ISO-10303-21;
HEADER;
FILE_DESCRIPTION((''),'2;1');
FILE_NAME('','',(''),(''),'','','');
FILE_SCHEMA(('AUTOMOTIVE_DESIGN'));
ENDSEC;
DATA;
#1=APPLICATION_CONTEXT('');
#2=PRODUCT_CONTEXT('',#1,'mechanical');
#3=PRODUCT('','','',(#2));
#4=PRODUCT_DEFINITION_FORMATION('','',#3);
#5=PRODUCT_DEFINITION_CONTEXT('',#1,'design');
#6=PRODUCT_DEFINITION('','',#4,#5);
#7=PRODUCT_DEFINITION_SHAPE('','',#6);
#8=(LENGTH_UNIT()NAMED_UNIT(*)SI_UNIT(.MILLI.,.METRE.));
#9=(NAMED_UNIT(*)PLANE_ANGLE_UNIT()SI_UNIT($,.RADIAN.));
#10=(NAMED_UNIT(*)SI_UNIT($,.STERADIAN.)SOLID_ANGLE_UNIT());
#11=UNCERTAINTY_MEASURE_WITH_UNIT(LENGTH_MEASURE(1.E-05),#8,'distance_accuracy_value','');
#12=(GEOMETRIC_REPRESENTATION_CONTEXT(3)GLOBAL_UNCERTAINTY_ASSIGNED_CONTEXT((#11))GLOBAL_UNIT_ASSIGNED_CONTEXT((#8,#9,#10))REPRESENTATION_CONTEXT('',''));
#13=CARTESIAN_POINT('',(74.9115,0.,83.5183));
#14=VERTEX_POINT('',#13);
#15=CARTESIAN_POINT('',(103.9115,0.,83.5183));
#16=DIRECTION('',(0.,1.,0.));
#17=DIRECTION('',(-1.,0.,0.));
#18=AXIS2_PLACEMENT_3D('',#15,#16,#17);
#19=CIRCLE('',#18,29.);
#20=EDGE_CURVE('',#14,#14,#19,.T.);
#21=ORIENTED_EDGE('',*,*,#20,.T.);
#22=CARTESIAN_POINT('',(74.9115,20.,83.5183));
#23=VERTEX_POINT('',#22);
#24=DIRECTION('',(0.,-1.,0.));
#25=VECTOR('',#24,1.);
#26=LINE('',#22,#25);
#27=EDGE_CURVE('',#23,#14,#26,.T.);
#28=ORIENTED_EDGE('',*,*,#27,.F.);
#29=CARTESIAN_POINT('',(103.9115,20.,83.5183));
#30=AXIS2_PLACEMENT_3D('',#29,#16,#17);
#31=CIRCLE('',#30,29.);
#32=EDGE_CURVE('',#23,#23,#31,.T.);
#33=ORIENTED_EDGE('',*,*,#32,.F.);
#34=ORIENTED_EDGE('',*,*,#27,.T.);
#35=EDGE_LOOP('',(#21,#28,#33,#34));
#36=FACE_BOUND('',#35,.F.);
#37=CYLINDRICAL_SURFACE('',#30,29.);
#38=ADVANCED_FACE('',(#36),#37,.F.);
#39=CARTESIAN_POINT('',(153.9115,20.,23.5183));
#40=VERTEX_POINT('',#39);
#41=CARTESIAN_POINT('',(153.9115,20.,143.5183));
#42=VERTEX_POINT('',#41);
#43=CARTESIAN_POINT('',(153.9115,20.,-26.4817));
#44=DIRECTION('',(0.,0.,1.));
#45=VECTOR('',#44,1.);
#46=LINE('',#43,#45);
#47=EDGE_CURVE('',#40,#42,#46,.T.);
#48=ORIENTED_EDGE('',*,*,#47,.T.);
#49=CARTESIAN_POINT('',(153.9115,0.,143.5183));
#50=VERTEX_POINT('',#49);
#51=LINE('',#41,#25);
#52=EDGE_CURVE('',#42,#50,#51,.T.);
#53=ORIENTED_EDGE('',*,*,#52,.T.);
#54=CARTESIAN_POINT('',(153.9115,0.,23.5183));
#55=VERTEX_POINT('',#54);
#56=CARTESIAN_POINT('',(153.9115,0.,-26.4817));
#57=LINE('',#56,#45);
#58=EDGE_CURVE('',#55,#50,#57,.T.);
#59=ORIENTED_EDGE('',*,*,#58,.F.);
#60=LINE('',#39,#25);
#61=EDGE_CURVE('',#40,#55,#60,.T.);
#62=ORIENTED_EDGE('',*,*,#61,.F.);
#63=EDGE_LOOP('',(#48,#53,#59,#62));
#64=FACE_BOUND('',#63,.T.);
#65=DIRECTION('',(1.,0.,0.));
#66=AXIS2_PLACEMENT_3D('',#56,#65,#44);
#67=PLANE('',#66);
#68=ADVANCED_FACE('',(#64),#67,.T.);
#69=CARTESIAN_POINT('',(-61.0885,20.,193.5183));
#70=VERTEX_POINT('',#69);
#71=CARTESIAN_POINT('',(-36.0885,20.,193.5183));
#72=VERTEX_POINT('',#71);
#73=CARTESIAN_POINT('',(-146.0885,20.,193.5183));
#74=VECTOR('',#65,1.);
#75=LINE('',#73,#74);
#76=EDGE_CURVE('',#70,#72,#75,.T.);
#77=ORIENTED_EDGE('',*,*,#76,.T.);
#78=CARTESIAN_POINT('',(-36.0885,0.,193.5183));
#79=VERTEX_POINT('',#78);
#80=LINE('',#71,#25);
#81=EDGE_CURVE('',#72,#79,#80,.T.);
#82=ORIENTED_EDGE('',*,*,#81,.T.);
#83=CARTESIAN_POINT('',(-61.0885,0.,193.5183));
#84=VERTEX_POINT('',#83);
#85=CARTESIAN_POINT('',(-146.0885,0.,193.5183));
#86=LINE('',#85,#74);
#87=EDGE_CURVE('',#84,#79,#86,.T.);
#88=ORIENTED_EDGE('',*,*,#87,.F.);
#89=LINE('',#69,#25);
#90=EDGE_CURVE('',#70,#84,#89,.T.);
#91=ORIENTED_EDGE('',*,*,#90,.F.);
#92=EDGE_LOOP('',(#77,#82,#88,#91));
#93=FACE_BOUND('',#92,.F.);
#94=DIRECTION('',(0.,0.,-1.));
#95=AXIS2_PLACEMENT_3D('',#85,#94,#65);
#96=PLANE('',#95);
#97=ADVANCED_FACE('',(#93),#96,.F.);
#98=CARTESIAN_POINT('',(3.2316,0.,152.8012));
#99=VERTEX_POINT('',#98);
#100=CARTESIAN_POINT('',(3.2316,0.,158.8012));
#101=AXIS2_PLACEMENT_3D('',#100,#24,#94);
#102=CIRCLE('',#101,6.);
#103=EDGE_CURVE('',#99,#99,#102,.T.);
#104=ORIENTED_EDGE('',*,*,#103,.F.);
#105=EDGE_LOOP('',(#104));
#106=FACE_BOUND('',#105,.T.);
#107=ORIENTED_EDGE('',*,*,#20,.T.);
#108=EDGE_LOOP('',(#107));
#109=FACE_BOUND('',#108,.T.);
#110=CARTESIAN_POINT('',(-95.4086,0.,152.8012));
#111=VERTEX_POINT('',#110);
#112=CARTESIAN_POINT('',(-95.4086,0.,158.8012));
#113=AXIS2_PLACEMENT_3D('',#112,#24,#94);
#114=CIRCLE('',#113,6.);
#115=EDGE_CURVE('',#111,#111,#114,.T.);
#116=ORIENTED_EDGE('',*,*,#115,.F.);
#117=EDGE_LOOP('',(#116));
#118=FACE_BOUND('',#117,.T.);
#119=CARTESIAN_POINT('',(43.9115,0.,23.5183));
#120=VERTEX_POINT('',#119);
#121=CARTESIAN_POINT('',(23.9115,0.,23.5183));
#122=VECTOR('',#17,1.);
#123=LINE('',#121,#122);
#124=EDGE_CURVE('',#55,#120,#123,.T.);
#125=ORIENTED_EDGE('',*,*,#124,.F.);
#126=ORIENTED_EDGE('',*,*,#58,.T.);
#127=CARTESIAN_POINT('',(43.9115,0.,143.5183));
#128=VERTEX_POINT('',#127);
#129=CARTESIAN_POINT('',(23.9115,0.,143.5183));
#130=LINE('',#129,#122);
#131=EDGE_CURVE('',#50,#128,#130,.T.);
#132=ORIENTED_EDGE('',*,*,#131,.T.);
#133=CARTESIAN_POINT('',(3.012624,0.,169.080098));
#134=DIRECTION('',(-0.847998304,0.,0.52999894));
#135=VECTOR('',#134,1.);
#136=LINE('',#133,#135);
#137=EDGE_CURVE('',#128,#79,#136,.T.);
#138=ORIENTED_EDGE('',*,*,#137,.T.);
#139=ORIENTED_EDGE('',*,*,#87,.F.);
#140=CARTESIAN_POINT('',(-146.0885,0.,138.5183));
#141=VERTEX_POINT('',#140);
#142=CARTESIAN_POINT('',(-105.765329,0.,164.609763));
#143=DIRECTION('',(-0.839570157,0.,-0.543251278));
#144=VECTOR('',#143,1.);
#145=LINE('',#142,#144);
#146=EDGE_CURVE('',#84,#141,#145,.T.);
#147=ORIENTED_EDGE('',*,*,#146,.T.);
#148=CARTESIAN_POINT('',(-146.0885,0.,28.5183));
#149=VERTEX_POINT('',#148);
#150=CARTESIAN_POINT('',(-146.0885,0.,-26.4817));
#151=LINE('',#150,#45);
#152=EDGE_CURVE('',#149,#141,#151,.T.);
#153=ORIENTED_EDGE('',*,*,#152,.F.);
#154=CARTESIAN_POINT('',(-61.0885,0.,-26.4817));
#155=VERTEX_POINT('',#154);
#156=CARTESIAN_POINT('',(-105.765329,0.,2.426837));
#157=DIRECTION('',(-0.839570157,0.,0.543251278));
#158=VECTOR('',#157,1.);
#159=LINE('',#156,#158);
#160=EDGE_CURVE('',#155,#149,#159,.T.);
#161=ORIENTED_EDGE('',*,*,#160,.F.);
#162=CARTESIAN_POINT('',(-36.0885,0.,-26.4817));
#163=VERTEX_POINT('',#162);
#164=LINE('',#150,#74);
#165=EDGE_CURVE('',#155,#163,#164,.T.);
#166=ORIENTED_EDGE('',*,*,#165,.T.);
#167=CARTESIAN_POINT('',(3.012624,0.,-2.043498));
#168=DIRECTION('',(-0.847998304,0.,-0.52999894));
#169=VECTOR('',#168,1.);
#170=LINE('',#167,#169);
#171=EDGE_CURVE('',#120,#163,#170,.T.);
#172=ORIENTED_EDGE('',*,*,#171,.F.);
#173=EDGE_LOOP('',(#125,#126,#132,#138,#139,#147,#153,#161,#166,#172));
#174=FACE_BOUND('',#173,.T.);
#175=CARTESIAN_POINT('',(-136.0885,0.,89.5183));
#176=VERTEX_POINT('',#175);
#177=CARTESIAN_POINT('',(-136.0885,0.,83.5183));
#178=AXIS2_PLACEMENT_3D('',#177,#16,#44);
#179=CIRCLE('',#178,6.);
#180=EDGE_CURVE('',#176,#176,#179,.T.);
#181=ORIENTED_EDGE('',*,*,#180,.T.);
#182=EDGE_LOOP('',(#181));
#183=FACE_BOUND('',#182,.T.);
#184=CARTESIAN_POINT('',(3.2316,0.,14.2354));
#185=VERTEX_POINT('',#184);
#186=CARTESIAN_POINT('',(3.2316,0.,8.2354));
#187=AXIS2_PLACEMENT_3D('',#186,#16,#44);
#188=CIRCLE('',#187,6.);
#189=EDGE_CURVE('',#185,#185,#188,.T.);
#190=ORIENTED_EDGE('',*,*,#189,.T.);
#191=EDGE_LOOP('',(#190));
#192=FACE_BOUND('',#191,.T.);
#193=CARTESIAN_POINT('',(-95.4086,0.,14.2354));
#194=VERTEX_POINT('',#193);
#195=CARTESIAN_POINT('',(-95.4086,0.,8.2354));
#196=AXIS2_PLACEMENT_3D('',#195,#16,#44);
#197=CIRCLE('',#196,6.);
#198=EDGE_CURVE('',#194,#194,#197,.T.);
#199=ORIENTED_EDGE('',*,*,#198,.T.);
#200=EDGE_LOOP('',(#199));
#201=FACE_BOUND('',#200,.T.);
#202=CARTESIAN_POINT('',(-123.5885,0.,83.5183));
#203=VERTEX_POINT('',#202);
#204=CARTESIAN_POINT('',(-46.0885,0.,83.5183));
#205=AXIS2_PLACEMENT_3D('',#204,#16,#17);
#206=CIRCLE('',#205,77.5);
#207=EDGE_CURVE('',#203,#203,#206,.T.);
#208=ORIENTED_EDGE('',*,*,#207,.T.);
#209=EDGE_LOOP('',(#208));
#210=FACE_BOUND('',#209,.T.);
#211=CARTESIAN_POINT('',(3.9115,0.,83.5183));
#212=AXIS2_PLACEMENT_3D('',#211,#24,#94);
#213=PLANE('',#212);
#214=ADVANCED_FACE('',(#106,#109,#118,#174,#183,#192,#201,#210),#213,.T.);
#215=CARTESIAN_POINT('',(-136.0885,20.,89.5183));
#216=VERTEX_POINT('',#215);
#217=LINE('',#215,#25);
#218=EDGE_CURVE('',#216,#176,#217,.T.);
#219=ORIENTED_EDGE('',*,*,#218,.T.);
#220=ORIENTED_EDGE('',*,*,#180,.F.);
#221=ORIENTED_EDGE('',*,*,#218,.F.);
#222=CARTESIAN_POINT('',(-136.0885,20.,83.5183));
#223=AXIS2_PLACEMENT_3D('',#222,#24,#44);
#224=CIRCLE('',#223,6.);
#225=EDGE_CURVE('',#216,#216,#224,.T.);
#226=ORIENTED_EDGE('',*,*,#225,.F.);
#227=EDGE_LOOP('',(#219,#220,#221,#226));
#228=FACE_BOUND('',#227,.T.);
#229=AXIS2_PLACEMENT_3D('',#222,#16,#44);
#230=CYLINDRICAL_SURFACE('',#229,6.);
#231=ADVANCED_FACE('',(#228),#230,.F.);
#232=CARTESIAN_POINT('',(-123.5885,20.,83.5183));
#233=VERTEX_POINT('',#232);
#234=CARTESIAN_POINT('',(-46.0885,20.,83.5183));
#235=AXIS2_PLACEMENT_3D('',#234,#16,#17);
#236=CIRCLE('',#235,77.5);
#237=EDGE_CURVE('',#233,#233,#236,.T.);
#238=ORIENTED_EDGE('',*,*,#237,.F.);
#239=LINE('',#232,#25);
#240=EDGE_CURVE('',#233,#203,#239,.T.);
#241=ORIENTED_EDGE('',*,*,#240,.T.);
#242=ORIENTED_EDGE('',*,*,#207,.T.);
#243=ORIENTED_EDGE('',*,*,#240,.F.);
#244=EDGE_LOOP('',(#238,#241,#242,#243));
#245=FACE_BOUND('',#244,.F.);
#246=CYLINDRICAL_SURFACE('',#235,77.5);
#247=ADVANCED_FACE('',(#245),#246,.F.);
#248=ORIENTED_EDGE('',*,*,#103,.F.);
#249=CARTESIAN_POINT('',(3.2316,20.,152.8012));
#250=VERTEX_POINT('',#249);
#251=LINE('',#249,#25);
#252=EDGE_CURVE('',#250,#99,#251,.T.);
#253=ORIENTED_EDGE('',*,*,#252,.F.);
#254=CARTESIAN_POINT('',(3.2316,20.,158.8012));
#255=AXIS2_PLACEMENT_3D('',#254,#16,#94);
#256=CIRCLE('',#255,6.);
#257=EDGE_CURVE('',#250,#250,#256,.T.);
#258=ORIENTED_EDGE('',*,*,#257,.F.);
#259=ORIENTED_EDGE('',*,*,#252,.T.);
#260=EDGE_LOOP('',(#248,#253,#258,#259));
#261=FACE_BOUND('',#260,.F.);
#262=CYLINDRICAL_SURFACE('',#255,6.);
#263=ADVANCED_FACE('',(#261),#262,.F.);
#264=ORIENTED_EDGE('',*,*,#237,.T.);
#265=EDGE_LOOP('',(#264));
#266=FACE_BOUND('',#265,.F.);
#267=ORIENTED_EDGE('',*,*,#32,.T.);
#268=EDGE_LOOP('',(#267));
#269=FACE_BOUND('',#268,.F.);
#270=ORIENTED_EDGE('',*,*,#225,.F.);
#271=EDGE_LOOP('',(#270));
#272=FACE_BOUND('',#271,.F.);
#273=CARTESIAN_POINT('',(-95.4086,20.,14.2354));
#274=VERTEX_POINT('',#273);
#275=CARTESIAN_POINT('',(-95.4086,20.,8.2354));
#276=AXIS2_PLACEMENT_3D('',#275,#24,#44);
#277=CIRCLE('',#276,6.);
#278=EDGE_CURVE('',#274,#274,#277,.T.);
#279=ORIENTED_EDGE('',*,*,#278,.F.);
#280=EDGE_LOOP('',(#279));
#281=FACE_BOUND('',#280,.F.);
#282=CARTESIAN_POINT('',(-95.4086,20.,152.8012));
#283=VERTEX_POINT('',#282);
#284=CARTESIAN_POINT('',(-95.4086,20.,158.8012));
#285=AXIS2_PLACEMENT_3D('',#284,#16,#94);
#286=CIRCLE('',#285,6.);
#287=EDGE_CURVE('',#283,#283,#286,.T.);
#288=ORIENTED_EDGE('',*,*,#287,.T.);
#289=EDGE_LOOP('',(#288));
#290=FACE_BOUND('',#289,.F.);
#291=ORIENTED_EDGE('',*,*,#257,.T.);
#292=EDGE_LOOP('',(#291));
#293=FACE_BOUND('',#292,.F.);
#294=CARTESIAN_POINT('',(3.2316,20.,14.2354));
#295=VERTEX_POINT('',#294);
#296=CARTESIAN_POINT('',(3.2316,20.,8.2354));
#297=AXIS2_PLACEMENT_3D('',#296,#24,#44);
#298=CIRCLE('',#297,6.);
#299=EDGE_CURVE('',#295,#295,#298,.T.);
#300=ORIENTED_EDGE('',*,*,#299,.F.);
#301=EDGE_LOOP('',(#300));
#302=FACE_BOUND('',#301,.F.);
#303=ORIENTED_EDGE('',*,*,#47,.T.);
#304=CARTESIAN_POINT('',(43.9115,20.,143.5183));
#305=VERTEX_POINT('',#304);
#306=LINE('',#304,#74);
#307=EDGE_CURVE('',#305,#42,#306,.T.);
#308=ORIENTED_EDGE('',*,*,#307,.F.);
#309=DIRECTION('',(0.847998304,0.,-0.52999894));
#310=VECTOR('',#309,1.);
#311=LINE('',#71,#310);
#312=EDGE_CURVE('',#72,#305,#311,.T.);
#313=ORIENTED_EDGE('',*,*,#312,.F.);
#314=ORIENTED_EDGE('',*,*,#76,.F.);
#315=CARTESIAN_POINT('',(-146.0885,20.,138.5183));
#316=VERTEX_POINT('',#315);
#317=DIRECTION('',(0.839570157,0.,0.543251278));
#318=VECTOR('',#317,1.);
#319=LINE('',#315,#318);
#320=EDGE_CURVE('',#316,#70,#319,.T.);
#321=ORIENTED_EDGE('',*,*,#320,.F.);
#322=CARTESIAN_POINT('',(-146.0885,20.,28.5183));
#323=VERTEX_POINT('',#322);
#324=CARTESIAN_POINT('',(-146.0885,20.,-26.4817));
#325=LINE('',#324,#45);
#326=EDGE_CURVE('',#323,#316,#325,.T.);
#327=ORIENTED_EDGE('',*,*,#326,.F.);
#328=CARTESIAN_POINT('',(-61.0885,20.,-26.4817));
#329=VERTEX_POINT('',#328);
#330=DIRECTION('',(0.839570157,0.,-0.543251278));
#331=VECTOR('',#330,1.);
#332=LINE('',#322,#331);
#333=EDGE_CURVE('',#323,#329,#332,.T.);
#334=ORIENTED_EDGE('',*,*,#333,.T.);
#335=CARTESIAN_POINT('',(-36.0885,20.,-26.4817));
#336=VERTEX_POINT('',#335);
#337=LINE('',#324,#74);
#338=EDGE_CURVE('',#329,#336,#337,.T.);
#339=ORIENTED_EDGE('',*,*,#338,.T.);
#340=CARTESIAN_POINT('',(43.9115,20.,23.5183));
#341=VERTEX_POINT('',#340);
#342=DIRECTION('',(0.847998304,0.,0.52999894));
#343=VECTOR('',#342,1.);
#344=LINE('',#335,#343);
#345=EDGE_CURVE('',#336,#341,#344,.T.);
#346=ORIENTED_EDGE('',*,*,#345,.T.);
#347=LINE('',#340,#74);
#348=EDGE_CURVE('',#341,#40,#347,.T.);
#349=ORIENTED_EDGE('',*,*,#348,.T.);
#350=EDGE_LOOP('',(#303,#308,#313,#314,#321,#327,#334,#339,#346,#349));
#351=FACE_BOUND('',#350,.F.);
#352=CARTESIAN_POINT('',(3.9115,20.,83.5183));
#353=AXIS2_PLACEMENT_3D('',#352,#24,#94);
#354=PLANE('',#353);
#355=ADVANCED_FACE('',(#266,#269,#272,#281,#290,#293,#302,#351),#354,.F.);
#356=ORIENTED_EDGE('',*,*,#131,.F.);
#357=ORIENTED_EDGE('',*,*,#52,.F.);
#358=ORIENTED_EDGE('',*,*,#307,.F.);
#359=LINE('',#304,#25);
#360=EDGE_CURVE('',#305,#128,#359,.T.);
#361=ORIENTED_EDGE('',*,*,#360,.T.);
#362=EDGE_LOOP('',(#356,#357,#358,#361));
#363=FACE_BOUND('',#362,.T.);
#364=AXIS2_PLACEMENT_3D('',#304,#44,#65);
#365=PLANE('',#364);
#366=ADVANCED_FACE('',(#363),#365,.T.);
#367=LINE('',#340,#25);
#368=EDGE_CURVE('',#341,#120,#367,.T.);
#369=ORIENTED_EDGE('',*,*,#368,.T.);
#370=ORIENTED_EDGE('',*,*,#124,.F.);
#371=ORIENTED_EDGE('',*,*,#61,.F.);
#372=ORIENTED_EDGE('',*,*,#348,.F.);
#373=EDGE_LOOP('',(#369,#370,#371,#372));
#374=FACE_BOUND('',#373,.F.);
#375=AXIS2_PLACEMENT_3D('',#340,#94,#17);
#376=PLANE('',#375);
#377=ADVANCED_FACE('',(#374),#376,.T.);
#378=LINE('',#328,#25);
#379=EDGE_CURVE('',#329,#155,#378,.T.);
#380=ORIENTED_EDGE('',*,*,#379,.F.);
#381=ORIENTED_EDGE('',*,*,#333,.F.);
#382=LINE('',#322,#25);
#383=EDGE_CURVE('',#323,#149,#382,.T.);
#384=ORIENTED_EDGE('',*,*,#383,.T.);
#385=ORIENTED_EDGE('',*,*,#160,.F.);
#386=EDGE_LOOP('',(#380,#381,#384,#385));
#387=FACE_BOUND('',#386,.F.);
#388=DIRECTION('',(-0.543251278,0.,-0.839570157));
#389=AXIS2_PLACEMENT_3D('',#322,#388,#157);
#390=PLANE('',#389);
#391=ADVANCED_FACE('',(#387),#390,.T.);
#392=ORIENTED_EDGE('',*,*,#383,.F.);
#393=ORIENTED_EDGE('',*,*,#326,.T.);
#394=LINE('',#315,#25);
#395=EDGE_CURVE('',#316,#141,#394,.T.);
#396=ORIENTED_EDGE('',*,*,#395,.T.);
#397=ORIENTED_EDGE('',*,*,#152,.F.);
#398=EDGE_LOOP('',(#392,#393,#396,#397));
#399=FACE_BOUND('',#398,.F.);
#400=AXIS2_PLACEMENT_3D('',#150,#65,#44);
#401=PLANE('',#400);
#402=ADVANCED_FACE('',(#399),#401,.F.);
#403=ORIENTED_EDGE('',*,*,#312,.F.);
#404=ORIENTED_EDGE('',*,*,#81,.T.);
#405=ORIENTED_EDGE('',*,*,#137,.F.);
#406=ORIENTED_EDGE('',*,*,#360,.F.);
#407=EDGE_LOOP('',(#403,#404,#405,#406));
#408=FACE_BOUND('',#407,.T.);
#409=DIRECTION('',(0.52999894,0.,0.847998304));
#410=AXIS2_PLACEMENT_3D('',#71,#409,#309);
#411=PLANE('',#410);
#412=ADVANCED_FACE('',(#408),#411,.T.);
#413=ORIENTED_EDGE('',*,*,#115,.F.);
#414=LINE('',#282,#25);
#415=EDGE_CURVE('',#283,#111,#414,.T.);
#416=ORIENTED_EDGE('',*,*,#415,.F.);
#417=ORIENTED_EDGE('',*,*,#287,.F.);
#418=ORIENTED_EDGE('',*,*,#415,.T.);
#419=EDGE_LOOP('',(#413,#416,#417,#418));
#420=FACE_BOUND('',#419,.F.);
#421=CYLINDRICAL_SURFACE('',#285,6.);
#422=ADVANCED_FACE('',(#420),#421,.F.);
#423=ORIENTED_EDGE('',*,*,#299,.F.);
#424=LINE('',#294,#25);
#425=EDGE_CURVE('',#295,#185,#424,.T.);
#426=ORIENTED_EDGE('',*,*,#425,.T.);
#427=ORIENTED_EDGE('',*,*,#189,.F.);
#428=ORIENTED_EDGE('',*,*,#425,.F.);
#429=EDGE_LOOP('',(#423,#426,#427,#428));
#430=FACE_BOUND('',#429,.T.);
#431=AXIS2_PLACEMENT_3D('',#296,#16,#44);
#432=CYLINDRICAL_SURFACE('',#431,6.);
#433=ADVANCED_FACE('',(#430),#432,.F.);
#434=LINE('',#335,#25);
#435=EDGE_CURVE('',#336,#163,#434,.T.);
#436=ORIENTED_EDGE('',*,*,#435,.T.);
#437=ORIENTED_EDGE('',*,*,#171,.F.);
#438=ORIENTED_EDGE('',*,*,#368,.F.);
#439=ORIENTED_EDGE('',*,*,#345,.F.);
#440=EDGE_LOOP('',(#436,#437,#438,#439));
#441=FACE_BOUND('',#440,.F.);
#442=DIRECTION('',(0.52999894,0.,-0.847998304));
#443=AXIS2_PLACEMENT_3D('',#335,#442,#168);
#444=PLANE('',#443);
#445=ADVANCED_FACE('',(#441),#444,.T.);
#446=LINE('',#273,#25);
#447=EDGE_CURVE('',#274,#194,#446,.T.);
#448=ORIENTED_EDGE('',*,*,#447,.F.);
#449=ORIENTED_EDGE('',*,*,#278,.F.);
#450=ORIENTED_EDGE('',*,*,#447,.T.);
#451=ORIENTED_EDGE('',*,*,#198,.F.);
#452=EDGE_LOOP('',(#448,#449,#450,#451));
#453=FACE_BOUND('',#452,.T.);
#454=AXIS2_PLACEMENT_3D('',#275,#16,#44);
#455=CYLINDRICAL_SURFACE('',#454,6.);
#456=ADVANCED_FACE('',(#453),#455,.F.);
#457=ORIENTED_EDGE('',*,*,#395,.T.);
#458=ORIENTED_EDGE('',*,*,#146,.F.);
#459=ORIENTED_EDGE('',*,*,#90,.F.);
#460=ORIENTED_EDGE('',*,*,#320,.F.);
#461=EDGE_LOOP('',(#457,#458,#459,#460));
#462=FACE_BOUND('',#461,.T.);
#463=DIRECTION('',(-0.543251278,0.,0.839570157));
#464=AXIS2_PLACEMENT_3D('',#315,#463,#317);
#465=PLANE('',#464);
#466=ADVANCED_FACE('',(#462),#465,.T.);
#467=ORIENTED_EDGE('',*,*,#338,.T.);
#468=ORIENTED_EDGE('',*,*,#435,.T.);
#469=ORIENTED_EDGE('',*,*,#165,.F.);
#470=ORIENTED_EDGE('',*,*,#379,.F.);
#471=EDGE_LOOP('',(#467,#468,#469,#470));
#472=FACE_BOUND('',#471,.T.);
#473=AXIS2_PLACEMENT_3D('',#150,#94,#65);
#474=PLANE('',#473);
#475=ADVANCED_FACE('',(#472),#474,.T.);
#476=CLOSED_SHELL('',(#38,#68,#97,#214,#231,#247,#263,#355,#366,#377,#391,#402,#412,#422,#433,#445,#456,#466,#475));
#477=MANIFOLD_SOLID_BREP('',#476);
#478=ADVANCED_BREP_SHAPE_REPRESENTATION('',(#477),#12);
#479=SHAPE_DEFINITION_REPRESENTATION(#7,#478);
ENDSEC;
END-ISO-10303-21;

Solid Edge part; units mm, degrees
sketch "Sketch1" plane through (0, 0, 0) normal (0, -1, 0) x (1, 0, 0)
  line L0 (-146.0885, -26.4817) -> (153.9115, -26.4817)
  line L1 (153.9115, -26.4817) -> (153.9115, 193.5183)
  line L2 (-146.0885, 193.5183) -> (153.9115, 193.5183)
  line L3 (-146.0885, -26.4817) -> (-146.0885, 193.5183)
  dimension "D1" = 300
  dimension "D2" = 220
extrude "Protrusion1" add sketch "Sketch1" against normal blind 20
sketch "Sketch2" plane through (3.9115, 20, 48.5183) normal (0, 1, 0) x (-1, 0, 0)
  circle A0 centre (50, 35) radius 77.5
  dimension "D1" = 100
  dimension "D2" = 155
extrude "Cutout1" cut sketch "Sketch2" against normal through all
sketch "Sketch3" plane through (3.9115, 20, 38.5183) normal (0, 1, 0) x (-1, 0, 0)
  circle A0 centre (-100, 45) radius 29
  dimension "D1" = 50
  dimension "D2" = 58
extrude "Cutout2" cut sketch "Sketch3" against normal through all
sketch "Sketch4" plane through (3.9115, 20, 73.5183) normal (0, 1, 0) x (-1, 0, 0)
  line L0 (150, 65) -> (65, 120)
  line L1 (65, 120) -> (150, 120)
  line L2 (150, 120) -> (150, 65)
  line L3 (-150, 120) -> (-150, 70)
  line L4 (-40, 70) -> (-150, 70)
  line L5 (40, 120) -> (-40, 70)
  line L6 (-150, 120) -> (40, 120)
  dimension "D1" = 190
  dimension "D2" = 85
  dimension "D3" = 55
  dimension "D4" = 110
  dimension "D5" = 50
extrude "Cutout3" cut sketch "Sketch4" against normal through all
hole "Hole1" at (-136.0885, 20, 83.5183) direction (0, -1, 0) diameter 12 end up to next
hole "Hole2" at (-95.4086, 20, 8.2354) direction (0, -1, 0) diameter 12 end up to next
hole "Hole3" at (3.2316, 20, 8.2354) direction (0, -1, 0) diameter 12 end up to next
mirror "Mirror1" about plane through (-73.5885, 5, 83.5183) normal (0, 0, 1) of "Cutout3", "Hole1", "Hole2", "Hole3"
